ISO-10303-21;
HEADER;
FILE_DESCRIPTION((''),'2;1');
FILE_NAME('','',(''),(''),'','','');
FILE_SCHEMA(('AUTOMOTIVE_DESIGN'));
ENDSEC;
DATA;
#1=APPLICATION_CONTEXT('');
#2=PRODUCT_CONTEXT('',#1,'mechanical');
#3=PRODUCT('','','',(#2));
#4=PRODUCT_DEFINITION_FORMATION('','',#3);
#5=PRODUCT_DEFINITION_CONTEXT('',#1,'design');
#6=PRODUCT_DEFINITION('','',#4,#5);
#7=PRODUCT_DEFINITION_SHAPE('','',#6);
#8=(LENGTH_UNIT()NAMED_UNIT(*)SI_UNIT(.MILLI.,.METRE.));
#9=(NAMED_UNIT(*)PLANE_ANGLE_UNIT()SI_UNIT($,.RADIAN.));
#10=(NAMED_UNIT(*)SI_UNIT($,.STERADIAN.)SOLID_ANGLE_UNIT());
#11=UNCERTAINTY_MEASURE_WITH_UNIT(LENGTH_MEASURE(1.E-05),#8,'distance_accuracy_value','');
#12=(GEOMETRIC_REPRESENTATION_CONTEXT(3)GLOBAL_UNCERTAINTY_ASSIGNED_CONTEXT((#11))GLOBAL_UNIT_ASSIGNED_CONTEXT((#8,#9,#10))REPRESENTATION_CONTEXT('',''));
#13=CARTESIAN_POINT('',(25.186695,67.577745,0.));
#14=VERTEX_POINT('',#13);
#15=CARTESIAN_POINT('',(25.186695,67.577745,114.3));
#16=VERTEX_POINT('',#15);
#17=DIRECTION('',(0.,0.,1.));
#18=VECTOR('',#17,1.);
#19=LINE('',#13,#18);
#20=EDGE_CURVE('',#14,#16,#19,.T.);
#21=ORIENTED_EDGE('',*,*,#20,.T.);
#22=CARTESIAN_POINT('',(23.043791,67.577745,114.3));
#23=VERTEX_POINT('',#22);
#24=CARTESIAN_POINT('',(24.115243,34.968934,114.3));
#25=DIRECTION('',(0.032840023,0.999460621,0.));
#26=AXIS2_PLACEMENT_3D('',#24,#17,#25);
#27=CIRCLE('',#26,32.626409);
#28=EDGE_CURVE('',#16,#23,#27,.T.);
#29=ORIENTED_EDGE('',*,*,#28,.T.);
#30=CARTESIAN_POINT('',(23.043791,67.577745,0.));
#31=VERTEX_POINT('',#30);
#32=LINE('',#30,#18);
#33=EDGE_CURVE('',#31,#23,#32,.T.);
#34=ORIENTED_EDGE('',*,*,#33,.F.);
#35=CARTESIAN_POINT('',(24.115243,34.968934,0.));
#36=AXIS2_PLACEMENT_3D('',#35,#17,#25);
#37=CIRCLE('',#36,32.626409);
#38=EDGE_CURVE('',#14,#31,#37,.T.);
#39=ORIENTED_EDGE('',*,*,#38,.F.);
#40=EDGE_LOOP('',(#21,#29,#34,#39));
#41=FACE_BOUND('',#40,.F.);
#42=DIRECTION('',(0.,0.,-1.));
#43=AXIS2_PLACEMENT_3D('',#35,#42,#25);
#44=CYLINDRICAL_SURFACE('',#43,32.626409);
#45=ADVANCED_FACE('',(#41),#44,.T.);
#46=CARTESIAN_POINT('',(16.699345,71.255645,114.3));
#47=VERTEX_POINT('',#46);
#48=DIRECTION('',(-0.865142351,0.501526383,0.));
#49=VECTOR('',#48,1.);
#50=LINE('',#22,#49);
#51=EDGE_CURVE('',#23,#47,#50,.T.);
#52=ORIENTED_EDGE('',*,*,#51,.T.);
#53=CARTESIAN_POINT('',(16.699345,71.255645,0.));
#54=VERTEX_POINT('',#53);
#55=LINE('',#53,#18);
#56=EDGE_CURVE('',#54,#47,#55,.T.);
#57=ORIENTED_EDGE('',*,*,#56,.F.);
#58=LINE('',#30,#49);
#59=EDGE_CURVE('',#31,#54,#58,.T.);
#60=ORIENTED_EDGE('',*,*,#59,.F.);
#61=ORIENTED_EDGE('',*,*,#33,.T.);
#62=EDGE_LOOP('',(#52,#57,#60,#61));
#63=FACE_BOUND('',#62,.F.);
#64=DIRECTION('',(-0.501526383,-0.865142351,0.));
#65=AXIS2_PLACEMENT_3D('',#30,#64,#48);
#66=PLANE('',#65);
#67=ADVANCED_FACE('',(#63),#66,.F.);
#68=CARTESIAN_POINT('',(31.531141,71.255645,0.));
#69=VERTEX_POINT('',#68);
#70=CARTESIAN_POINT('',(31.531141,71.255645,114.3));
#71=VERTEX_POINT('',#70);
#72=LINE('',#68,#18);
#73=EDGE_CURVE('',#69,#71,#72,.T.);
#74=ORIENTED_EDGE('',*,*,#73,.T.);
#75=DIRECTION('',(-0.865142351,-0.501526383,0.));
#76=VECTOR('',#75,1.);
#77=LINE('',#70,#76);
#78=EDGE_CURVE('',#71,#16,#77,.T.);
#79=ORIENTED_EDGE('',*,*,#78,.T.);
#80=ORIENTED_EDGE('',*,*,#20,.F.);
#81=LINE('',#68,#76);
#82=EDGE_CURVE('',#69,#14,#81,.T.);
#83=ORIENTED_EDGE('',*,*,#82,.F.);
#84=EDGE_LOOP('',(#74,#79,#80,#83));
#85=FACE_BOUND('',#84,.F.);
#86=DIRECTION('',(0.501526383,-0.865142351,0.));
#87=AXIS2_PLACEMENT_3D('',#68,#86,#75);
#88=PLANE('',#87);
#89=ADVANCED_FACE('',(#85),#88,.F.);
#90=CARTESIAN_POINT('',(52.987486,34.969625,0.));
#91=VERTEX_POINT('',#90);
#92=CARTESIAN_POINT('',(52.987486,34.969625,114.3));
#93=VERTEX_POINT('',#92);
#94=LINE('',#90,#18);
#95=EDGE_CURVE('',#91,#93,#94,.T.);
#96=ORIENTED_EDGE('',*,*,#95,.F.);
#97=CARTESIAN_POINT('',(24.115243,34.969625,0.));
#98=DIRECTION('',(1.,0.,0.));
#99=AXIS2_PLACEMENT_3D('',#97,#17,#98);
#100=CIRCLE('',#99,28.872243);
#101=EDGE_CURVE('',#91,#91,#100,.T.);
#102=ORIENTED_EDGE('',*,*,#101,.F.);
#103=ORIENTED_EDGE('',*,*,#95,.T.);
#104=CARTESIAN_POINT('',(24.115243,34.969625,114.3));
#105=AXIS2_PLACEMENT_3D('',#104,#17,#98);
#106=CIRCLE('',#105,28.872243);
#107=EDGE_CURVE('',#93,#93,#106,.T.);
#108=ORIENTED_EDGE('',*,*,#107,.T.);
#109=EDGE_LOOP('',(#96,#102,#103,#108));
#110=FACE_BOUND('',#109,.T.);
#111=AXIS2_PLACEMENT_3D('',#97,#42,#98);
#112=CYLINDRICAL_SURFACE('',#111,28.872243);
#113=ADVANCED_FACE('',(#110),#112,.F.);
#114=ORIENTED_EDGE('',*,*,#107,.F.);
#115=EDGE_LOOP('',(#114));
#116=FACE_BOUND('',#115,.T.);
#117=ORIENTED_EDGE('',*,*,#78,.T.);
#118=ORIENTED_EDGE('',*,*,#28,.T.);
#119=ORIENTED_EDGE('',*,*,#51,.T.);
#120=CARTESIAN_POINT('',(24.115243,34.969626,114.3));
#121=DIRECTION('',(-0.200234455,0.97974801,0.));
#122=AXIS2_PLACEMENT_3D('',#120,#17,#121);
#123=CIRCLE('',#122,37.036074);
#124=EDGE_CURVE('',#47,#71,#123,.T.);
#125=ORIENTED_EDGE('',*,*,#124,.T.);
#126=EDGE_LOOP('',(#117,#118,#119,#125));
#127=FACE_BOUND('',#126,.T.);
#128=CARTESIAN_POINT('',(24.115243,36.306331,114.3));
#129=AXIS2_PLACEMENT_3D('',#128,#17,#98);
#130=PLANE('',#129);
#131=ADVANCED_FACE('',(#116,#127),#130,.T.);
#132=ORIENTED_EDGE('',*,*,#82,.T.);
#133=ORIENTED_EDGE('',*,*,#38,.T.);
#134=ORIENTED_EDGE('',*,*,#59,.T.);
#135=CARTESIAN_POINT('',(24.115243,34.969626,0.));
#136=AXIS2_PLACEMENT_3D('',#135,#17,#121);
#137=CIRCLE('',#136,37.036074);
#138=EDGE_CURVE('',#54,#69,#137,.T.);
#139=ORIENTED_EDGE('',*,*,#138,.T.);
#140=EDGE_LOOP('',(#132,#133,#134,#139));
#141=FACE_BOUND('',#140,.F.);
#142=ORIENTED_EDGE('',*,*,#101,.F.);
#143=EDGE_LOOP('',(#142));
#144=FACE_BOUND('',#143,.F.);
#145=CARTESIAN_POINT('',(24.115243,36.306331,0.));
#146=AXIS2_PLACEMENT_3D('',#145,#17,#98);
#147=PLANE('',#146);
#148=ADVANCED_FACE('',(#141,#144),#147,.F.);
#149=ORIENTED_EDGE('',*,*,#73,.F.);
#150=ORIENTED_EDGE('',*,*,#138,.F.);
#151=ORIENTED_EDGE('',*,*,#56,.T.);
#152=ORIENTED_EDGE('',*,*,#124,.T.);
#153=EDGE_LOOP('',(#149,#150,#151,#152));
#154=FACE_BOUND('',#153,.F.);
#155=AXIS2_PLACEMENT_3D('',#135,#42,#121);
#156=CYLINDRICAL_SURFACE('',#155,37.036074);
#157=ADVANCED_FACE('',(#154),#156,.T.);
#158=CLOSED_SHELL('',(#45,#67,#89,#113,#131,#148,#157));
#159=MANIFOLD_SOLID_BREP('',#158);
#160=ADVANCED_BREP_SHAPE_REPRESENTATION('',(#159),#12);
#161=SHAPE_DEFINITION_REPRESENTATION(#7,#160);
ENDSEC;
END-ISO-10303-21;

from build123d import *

# Parameters (mm, degrees)
F0_R     = 28.872243
F1_DEPTH = 114.3


with BuildPart() as f1:
    # F0 (on Top) → F1 (new body)
    with BuildSketch(Plane.XY):
        with BuildLine():
            ThreePointArc((16.699345, 71.255645), (24.115243, -2.066448), (31.531141, 71.255645))
            Line((31.531141, 71.255645), (25.186695, 67.577745))
            ThreePointArc((25.186695, 67.577745), (24.115243, 67.595343), (23.043791, 67.577745))
            Line((23.043791, 67.577745), (16.699345, 71.255645))
        make_face()
        with Locations((24.115243, 34.969625)):
            Circle(F0_R, mode=Mode.SUBTRACT)
    extrude(amount=F1_DEPTH)


solid = f1.part
